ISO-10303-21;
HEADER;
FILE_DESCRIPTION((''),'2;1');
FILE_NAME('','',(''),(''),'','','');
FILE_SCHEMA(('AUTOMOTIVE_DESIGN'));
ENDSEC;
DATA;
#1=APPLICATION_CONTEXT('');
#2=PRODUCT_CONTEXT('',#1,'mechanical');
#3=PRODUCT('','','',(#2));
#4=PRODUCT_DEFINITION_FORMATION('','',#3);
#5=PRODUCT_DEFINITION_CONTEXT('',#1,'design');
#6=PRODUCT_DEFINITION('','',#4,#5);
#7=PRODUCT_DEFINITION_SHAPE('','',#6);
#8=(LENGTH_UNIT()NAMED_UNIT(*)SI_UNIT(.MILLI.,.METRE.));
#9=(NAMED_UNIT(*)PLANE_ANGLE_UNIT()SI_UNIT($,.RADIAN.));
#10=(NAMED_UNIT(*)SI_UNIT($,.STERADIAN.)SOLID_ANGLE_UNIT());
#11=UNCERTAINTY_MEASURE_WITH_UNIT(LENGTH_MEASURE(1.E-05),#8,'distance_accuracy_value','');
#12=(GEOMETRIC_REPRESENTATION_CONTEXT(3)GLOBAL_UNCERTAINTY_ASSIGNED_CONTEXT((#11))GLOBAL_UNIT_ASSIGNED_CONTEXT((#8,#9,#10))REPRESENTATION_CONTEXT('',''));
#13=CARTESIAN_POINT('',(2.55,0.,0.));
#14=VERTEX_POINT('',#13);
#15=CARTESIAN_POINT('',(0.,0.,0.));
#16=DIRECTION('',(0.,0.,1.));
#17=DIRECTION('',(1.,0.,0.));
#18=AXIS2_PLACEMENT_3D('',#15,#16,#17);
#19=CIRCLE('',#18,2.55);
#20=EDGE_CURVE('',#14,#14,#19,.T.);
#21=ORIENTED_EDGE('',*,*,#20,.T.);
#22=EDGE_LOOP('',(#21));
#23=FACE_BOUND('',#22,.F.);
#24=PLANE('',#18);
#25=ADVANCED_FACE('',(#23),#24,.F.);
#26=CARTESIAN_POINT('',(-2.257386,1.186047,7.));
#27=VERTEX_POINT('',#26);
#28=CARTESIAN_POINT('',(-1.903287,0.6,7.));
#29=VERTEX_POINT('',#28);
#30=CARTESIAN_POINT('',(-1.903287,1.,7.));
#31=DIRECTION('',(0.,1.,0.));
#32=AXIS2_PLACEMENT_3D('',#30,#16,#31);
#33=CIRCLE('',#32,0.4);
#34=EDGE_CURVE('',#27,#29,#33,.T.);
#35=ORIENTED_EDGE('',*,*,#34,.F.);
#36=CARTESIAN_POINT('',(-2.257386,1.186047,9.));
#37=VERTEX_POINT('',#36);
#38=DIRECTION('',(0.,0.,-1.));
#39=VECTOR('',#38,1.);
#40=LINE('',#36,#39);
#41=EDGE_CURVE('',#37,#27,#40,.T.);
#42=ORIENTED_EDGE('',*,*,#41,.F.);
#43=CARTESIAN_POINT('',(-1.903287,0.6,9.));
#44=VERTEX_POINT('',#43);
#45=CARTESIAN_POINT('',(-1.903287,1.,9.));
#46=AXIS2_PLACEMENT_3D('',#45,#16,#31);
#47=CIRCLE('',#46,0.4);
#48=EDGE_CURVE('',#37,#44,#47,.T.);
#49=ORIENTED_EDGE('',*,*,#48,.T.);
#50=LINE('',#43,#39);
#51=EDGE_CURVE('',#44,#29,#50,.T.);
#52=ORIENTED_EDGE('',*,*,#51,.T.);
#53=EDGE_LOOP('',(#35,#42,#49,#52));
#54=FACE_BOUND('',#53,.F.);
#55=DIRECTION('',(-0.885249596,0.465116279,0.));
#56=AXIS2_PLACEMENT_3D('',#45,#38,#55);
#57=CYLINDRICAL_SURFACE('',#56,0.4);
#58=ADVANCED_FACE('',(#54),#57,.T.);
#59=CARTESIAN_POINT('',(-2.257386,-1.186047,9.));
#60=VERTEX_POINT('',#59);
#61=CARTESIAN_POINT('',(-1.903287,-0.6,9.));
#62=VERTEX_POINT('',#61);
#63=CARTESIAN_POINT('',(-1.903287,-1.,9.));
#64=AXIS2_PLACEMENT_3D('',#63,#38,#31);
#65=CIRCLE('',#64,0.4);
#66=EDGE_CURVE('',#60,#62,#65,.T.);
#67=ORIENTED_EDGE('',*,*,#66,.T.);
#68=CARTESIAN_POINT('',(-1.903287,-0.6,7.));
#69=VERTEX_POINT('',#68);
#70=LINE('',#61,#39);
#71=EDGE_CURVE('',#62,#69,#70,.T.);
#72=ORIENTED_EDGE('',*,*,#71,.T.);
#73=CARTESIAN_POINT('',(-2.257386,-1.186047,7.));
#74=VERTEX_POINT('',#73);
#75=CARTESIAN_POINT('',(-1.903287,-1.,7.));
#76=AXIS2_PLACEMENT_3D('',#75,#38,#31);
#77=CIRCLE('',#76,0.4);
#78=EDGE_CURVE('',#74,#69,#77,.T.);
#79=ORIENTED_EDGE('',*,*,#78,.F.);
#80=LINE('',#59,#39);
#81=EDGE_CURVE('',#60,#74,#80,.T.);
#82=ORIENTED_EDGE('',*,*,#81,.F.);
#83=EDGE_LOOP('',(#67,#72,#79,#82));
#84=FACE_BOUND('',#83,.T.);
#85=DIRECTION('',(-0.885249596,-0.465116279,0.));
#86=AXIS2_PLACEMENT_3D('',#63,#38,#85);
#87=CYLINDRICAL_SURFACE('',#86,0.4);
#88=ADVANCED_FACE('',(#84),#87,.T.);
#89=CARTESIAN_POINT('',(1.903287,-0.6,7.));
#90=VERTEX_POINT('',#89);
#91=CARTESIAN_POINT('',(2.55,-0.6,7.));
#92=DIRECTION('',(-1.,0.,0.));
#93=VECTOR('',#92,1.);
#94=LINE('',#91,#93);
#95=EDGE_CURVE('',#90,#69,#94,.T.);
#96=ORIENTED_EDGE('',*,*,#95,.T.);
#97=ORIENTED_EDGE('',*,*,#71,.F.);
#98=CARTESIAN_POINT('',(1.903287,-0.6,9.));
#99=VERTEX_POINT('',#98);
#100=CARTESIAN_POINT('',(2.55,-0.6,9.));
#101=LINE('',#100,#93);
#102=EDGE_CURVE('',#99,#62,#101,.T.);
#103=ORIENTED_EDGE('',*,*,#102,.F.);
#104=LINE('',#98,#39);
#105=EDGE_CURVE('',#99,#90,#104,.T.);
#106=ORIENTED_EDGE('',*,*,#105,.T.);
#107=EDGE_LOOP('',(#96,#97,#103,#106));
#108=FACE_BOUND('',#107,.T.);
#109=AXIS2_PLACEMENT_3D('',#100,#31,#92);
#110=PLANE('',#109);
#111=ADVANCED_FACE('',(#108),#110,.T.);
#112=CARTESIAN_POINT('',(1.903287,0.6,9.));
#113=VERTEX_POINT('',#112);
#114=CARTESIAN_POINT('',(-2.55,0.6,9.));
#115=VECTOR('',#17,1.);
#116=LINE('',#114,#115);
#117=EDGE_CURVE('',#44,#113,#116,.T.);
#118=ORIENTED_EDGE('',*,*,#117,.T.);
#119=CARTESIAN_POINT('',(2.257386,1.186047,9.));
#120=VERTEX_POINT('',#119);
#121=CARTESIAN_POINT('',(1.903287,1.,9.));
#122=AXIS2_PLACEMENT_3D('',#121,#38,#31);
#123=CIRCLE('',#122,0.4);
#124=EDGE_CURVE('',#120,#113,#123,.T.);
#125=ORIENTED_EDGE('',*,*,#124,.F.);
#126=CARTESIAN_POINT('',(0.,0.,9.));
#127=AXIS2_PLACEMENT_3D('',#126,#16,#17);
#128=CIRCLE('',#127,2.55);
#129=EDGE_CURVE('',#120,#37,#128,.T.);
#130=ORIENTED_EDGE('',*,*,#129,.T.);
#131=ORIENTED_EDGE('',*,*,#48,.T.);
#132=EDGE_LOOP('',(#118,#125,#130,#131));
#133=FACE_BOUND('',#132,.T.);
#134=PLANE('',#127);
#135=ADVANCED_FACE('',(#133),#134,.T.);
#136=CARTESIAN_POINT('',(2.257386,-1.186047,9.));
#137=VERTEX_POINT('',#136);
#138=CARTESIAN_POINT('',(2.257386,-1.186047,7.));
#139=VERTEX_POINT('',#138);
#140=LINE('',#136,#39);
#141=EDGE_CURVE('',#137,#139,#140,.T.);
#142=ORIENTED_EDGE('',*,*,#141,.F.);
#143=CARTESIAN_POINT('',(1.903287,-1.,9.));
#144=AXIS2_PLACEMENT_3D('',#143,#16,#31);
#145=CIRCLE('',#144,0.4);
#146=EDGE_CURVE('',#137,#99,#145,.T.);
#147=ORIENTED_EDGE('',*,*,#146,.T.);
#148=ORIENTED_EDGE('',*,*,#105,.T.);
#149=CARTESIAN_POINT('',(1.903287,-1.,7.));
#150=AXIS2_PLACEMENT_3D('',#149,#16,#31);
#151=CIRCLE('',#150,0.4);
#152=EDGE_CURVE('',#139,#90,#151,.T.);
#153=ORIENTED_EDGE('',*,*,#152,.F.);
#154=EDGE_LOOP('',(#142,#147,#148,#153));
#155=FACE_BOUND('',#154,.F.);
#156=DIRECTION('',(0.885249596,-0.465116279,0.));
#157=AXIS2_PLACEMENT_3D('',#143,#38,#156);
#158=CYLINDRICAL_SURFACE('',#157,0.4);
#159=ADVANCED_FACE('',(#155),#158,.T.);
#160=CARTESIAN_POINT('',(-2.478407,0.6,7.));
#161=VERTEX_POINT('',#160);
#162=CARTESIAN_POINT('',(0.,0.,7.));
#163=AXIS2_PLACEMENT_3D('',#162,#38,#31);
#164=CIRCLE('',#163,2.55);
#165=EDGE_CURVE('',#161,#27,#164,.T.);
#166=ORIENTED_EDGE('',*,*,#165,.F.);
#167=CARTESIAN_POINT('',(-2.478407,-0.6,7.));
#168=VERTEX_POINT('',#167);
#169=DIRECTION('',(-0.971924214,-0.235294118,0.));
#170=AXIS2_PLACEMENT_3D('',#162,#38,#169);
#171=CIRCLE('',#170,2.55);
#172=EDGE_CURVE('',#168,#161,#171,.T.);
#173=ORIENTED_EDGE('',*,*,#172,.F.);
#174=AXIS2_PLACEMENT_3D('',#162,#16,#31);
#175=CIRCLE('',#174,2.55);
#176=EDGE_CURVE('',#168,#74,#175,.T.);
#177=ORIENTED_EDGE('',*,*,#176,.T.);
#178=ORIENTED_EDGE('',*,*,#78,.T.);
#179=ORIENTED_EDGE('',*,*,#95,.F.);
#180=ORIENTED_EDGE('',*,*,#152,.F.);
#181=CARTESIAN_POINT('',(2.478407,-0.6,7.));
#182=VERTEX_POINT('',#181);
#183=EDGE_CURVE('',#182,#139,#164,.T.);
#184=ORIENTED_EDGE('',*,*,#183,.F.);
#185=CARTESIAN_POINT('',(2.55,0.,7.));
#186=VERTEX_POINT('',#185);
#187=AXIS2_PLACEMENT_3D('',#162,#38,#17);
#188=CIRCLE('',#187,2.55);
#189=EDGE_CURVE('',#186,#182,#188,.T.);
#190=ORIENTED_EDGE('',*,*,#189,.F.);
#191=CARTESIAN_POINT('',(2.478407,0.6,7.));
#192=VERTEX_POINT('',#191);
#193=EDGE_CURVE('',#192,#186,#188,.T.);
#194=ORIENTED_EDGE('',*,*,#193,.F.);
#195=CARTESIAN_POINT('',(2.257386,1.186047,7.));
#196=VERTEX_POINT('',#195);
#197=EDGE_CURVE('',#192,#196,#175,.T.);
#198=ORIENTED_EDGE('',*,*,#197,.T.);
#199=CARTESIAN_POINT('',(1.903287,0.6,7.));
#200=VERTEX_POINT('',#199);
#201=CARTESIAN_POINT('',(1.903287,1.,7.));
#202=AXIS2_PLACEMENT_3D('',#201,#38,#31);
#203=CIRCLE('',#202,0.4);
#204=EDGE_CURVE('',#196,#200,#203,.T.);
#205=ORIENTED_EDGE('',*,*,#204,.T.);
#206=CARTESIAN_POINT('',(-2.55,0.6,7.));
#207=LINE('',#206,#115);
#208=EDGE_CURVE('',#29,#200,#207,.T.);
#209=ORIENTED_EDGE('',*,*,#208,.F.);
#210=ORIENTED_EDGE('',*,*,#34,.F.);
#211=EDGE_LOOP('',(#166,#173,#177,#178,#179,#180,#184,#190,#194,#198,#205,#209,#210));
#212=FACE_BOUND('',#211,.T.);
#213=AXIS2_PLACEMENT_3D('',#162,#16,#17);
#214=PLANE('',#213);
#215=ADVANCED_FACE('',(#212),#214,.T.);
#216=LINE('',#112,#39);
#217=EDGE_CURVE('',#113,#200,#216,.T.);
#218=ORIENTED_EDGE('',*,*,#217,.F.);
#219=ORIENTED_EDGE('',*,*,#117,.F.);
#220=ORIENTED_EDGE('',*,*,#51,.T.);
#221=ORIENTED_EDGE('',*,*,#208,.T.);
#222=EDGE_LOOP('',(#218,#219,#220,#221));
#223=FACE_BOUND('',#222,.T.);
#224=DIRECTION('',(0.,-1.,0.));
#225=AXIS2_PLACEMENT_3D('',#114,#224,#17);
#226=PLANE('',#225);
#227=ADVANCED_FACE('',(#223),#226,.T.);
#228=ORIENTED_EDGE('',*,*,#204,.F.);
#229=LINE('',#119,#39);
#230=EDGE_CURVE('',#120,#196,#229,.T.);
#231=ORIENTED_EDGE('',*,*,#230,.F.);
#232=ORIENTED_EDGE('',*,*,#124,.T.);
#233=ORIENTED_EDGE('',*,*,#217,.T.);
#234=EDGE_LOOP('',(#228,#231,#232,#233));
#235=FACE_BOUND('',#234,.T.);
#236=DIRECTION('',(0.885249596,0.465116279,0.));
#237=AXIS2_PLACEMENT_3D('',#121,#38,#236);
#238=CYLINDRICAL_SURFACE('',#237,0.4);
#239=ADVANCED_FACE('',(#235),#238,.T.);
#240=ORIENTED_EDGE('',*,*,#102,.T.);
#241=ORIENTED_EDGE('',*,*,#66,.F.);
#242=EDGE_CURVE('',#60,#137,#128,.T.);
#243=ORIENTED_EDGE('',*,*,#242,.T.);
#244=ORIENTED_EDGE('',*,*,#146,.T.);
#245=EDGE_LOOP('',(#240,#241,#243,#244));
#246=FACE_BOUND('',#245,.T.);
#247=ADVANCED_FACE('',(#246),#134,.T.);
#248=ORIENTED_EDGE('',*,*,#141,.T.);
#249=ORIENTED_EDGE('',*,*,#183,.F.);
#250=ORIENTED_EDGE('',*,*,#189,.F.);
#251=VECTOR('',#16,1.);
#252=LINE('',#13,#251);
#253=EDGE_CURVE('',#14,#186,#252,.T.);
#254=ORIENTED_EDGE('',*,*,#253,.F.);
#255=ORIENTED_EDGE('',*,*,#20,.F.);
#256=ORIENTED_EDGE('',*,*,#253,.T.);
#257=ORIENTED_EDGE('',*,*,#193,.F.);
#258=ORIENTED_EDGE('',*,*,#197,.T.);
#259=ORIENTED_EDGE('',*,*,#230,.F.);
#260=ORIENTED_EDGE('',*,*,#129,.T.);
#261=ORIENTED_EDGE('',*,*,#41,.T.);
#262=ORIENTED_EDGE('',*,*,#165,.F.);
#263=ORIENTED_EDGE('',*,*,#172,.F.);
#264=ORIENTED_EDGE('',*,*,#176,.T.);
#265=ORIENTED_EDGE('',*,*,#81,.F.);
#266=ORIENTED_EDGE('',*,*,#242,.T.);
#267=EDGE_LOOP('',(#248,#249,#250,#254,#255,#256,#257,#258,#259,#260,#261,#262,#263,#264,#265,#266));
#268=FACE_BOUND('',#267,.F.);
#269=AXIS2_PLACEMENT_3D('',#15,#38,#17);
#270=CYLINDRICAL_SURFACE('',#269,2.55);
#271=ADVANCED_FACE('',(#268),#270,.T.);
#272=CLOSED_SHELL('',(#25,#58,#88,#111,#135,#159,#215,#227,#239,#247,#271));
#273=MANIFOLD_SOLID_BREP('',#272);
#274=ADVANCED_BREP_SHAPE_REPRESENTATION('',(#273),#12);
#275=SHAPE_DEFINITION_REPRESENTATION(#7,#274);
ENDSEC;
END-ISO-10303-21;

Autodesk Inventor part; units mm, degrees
ref_plane "YZ Plane" through (0, 0, 0) normal (1, 0, 0) x (0, 1, 0)
ref_plane "XZ Plane" through (0, 0, 0) normal (0, 1, 0) x (-1, 0, 0)
ref_plane "XY Plane" through (0, 0, 0) normal (0, 0, 1) x (1, 0, 0)
sketch "Эскиз1" plane through (0, 0, 0) normal (0, 0, 1) x (1, 0, 0)
  circle A0 centre (0, 0) radius 2.55
  dimension "d0" = 5.1
extrude "Выдавливание1" add sketch "Эскиз1" along normal blind 9
sketch "Эскиз2" plane through (0, 0, 9) normal (0, 0, 1) x (1, 0, 0)
  line L0 (2.55, -0.6) -> (-2.55, -0.6)
  line L1 (-2.55, -0.6) -> (-2.55, 0.6)
  line L2 (-2.55, 0.6) -> (2.55, 0.6)
  line L3 (2.55, 0.6) -> (2.55, -0.6)
  line L4 (2.55, -0.6) -> (-2.55, 0.6) construction
  line L5 (-2.55, -0.6) -> (2.55, 0.6) construction
  circle A0 centre (0, 0) radius 2.55 construction
  point P0 (0, 0)
  dimension "d3" = 1.2
extrude "Выдавливание2" cut sketch "Эскиз2" against normal blind 2
fillet "Сопряжение1" radius 0.4 4 edges at (2.4784, 0.6, 8) (-2.4784, 0.6, 8) (-2.4784, -0.6, 8) (2.4784, -0.6, 8)
properties part number "Шпунтик"
